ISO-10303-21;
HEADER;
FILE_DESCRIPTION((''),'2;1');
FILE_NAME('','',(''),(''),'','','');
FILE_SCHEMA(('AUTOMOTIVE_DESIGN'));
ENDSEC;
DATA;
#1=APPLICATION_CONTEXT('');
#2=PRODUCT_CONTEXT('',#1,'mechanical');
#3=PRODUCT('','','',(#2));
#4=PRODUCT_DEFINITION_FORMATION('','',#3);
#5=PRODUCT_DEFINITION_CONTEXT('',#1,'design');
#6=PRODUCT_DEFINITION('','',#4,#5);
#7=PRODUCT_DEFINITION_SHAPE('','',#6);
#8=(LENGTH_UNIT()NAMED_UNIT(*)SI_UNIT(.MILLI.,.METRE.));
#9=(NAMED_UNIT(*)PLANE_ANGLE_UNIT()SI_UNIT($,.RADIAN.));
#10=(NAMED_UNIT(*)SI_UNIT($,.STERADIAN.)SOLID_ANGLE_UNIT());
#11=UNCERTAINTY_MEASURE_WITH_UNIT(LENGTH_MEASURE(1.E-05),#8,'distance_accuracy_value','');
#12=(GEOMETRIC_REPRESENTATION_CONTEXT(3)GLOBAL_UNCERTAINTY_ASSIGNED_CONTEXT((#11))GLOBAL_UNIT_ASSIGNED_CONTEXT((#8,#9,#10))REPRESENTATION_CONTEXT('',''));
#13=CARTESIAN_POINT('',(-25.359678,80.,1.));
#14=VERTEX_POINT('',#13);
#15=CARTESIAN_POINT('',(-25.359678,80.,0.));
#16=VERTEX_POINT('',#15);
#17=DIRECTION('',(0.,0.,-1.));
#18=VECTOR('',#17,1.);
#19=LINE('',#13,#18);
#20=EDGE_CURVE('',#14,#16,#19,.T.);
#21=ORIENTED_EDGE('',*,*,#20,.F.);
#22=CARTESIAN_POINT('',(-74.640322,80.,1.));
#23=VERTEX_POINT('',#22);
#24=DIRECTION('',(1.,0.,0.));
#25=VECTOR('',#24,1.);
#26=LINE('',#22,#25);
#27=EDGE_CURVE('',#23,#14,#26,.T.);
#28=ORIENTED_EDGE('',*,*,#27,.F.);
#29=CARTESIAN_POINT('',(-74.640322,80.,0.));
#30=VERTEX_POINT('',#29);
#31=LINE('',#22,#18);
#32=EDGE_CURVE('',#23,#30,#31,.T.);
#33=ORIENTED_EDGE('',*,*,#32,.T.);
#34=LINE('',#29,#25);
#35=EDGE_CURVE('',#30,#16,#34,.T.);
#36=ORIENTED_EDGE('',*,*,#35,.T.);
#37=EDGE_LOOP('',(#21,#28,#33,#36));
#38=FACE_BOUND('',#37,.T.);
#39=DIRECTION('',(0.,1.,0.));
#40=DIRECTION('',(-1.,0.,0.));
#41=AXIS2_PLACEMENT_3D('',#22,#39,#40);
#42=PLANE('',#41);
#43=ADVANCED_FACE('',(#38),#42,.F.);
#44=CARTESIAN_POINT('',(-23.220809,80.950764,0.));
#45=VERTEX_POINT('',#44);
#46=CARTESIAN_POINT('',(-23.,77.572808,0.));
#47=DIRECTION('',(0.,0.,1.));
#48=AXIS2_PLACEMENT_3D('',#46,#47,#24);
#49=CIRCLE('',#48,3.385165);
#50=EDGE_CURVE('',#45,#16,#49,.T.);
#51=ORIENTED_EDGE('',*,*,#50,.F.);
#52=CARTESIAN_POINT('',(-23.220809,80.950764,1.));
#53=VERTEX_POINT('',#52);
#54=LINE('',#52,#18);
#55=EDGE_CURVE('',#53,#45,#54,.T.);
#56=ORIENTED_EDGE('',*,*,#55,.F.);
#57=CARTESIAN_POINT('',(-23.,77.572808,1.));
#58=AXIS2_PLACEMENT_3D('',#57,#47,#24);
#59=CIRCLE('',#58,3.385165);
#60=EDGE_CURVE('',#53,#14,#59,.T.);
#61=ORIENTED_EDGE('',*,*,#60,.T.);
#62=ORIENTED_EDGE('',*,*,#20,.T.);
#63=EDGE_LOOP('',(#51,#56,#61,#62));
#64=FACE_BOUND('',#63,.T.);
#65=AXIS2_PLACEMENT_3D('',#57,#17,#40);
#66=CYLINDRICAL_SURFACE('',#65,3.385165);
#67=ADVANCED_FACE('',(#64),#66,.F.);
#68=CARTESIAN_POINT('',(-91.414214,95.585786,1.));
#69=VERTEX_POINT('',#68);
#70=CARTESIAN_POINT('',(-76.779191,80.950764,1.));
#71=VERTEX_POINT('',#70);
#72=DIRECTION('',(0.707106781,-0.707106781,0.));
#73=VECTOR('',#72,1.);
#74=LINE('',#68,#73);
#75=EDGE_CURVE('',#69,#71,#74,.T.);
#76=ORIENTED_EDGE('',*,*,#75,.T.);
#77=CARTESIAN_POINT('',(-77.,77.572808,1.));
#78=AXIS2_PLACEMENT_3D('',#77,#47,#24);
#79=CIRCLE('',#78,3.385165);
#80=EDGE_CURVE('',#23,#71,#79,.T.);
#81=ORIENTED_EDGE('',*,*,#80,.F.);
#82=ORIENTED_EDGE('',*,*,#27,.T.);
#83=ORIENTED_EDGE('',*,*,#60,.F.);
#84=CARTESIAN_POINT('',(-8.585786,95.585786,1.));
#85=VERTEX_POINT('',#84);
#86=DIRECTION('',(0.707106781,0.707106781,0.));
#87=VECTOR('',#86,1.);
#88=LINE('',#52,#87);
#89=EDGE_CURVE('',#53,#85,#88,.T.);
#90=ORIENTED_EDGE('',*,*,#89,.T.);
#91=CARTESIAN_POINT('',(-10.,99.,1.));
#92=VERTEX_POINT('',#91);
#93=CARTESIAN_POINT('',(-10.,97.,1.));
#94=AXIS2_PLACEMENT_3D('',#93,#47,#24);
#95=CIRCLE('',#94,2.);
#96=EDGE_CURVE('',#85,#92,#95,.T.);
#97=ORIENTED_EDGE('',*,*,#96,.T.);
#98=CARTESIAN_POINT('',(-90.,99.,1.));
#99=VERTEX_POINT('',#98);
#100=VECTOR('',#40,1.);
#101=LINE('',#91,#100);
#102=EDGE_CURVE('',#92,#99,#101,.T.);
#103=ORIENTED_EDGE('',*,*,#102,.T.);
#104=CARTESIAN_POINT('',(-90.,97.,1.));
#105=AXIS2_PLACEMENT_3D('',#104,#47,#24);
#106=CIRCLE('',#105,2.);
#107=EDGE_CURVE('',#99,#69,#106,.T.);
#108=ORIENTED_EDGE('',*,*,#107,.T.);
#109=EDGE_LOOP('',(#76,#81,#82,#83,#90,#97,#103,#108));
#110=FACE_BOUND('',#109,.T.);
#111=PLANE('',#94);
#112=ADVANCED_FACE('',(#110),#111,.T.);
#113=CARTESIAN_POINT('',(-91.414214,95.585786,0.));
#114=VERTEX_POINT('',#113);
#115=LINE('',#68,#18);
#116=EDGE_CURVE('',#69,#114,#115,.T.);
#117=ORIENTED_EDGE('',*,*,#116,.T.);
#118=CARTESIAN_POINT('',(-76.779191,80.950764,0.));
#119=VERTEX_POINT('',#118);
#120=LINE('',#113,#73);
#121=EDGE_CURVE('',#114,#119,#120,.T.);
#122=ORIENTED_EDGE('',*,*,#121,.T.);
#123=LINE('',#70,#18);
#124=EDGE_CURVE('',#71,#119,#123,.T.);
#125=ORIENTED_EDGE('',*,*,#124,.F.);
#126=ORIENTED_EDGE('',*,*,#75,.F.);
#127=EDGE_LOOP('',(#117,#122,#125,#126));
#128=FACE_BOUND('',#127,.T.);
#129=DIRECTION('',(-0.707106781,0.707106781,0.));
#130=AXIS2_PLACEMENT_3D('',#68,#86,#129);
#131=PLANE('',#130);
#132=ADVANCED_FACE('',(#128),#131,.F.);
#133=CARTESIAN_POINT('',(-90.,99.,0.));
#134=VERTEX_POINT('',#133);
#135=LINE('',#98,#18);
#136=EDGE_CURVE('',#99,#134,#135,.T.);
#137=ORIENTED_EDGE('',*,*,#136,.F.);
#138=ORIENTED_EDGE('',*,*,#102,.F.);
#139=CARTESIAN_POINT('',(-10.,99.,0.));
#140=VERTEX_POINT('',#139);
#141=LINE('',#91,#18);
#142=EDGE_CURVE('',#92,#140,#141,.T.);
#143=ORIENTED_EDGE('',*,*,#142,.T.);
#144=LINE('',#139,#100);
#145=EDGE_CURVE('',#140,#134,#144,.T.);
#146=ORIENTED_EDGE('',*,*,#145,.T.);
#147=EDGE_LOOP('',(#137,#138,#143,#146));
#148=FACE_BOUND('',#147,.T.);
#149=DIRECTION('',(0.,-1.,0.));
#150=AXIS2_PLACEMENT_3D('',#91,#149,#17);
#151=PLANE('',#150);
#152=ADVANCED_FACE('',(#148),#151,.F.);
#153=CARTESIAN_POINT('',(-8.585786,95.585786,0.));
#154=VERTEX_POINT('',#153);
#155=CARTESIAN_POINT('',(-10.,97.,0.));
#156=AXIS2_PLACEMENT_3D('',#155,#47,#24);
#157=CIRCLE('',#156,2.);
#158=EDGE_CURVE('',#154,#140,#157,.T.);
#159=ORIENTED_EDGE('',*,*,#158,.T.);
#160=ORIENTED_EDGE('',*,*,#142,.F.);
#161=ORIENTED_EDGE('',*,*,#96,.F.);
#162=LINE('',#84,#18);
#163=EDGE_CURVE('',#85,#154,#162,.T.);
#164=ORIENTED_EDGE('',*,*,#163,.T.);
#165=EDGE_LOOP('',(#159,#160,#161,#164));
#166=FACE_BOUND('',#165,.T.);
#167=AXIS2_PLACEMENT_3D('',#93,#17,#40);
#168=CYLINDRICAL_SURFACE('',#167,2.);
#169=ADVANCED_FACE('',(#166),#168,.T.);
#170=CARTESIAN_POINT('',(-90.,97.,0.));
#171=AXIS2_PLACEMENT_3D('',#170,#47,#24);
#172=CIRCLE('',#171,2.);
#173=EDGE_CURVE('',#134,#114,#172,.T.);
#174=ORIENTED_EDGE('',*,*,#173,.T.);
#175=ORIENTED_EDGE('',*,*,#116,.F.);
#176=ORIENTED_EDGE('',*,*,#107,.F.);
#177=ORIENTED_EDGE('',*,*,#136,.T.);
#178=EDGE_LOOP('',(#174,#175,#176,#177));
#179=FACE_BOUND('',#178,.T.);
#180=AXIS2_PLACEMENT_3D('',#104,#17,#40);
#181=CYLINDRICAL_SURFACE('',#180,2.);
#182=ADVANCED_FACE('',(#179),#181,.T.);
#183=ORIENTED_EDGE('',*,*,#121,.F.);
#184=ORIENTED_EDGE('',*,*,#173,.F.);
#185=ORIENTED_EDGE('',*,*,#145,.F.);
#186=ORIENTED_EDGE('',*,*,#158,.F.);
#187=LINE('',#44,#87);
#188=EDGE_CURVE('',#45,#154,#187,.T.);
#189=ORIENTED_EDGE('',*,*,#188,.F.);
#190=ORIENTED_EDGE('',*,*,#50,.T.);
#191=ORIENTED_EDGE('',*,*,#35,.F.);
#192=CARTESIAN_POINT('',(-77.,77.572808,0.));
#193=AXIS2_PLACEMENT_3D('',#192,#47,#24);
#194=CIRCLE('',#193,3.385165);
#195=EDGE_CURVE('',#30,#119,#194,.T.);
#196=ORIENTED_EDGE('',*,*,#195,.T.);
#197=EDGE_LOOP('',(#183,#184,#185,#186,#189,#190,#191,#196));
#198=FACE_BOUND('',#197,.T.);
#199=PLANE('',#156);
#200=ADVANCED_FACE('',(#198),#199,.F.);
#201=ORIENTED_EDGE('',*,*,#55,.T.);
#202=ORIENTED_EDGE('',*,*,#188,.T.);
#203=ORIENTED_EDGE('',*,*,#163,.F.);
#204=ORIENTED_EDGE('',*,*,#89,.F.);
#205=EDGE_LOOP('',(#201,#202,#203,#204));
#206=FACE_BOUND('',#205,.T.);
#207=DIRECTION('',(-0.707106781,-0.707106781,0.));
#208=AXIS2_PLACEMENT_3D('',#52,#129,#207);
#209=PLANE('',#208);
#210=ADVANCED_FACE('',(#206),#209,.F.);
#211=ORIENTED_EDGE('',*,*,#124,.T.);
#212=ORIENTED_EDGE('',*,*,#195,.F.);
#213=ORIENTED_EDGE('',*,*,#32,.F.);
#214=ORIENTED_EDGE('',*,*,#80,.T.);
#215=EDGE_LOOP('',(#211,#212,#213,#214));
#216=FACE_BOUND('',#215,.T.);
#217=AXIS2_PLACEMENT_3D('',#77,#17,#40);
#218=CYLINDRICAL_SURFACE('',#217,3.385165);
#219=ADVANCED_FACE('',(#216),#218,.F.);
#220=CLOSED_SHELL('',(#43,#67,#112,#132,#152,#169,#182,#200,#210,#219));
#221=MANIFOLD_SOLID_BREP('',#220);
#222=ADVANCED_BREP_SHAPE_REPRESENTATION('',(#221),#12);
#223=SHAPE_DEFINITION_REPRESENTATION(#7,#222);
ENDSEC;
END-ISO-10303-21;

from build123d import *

# Parameters (mm, degrees)
BOSS_EXTRUDE1_DEPTH = 1


with BuildPart() as part:
    # Sketch1 → Boss-Extrude1 (new body)
    with BuildSketch(Plane.XY):
        with BuildLine():
            Line((-10, 99), (-90, 99))
            ThreePointArc((-90, 99), (-91.847759065, 97.765366865), (-91.414213562, 95.585786438))
            Line((-91.414213562, 95.585786438), (-76.779190676, 80.950763551))
            ThreePointArc((-76.779190676, 80.950763551), (-75.624966785, 80.666127277), (-74.640322152, 80))
            Line((-74.640322152, 80), (-25.359677848, 80))
            ThreePointArc((-25.359677848, 80), (-24.375033215, 80.666127277), (-23.220809324, 80.950763551))
            Line((-23.220809324, 80.950763551), (-8.585786438, 95.585786438))
            ThreePointArc((-8.585786438, 95.585786438), (-8.152240935, 97.765366865), (-10, 99))
        make_face()
    extrude(amount=BOSS_EXTRUDE1_DEPTH)


solid = part.part
